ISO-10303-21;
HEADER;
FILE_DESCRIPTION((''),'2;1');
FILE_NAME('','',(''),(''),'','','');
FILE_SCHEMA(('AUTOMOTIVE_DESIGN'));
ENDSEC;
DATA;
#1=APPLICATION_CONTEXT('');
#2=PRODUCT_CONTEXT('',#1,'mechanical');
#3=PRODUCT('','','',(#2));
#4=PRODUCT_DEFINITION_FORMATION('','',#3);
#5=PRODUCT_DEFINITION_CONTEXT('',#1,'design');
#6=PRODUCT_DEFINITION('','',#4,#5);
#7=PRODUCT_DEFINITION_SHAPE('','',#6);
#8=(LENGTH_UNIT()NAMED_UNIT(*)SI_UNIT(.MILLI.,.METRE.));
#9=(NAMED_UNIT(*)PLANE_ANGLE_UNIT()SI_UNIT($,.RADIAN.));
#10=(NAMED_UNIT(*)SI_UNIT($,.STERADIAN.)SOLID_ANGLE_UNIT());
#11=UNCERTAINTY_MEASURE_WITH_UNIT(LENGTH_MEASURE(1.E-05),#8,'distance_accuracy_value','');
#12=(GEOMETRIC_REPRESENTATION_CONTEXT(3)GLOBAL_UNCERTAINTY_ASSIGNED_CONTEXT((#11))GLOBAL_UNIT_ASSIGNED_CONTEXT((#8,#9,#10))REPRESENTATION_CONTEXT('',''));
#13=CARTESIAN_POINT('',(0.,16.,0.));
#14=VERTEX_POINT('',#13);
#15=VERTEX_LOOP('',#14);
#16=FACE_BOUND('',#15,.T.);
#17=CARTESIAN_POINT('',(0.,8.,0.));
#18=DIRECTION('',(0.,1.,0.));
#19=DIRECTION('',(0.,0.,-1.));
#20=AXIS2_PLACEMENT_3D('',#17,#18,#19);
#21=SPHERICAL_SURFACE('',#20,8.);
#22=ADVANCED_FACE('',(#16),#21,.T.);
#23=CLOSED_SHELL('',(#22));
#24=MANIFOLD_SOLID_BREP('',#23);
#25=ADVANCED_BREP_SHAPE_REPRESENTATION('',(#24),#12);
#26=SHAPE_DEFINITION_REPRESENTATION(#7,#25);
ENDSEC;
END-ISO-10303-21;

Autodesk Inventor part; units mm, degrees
ref_plane "YZ Plane" through (0, 0, 0) normal (1, 0, 0) x (0, 1, 0)
ref_plane "XZ Plane" through (0, 0, 0) normal (0, 1, 0) x (-1, 0, 0)
ref_plane "XY Plane" through (0, 0, 0) normal (0, 0, 1) x (1, 0, 0)
sketch "스케치1" plane through (0, 0, 0) normal (1, 0, 0) x (0, 1, 0)
  line L0 (0, 0) -> (16, 0)
  arc A0 (0, 0) -> (16, 0) centre (8, 0) ccw
  dimension "d0" = 16
  dimension "d0" = 16
revolve "회전1" add sketch "스케치1" angle 360 about axis through (0, 0, 0) along (0, 1, 0)
properties part number "볼"
